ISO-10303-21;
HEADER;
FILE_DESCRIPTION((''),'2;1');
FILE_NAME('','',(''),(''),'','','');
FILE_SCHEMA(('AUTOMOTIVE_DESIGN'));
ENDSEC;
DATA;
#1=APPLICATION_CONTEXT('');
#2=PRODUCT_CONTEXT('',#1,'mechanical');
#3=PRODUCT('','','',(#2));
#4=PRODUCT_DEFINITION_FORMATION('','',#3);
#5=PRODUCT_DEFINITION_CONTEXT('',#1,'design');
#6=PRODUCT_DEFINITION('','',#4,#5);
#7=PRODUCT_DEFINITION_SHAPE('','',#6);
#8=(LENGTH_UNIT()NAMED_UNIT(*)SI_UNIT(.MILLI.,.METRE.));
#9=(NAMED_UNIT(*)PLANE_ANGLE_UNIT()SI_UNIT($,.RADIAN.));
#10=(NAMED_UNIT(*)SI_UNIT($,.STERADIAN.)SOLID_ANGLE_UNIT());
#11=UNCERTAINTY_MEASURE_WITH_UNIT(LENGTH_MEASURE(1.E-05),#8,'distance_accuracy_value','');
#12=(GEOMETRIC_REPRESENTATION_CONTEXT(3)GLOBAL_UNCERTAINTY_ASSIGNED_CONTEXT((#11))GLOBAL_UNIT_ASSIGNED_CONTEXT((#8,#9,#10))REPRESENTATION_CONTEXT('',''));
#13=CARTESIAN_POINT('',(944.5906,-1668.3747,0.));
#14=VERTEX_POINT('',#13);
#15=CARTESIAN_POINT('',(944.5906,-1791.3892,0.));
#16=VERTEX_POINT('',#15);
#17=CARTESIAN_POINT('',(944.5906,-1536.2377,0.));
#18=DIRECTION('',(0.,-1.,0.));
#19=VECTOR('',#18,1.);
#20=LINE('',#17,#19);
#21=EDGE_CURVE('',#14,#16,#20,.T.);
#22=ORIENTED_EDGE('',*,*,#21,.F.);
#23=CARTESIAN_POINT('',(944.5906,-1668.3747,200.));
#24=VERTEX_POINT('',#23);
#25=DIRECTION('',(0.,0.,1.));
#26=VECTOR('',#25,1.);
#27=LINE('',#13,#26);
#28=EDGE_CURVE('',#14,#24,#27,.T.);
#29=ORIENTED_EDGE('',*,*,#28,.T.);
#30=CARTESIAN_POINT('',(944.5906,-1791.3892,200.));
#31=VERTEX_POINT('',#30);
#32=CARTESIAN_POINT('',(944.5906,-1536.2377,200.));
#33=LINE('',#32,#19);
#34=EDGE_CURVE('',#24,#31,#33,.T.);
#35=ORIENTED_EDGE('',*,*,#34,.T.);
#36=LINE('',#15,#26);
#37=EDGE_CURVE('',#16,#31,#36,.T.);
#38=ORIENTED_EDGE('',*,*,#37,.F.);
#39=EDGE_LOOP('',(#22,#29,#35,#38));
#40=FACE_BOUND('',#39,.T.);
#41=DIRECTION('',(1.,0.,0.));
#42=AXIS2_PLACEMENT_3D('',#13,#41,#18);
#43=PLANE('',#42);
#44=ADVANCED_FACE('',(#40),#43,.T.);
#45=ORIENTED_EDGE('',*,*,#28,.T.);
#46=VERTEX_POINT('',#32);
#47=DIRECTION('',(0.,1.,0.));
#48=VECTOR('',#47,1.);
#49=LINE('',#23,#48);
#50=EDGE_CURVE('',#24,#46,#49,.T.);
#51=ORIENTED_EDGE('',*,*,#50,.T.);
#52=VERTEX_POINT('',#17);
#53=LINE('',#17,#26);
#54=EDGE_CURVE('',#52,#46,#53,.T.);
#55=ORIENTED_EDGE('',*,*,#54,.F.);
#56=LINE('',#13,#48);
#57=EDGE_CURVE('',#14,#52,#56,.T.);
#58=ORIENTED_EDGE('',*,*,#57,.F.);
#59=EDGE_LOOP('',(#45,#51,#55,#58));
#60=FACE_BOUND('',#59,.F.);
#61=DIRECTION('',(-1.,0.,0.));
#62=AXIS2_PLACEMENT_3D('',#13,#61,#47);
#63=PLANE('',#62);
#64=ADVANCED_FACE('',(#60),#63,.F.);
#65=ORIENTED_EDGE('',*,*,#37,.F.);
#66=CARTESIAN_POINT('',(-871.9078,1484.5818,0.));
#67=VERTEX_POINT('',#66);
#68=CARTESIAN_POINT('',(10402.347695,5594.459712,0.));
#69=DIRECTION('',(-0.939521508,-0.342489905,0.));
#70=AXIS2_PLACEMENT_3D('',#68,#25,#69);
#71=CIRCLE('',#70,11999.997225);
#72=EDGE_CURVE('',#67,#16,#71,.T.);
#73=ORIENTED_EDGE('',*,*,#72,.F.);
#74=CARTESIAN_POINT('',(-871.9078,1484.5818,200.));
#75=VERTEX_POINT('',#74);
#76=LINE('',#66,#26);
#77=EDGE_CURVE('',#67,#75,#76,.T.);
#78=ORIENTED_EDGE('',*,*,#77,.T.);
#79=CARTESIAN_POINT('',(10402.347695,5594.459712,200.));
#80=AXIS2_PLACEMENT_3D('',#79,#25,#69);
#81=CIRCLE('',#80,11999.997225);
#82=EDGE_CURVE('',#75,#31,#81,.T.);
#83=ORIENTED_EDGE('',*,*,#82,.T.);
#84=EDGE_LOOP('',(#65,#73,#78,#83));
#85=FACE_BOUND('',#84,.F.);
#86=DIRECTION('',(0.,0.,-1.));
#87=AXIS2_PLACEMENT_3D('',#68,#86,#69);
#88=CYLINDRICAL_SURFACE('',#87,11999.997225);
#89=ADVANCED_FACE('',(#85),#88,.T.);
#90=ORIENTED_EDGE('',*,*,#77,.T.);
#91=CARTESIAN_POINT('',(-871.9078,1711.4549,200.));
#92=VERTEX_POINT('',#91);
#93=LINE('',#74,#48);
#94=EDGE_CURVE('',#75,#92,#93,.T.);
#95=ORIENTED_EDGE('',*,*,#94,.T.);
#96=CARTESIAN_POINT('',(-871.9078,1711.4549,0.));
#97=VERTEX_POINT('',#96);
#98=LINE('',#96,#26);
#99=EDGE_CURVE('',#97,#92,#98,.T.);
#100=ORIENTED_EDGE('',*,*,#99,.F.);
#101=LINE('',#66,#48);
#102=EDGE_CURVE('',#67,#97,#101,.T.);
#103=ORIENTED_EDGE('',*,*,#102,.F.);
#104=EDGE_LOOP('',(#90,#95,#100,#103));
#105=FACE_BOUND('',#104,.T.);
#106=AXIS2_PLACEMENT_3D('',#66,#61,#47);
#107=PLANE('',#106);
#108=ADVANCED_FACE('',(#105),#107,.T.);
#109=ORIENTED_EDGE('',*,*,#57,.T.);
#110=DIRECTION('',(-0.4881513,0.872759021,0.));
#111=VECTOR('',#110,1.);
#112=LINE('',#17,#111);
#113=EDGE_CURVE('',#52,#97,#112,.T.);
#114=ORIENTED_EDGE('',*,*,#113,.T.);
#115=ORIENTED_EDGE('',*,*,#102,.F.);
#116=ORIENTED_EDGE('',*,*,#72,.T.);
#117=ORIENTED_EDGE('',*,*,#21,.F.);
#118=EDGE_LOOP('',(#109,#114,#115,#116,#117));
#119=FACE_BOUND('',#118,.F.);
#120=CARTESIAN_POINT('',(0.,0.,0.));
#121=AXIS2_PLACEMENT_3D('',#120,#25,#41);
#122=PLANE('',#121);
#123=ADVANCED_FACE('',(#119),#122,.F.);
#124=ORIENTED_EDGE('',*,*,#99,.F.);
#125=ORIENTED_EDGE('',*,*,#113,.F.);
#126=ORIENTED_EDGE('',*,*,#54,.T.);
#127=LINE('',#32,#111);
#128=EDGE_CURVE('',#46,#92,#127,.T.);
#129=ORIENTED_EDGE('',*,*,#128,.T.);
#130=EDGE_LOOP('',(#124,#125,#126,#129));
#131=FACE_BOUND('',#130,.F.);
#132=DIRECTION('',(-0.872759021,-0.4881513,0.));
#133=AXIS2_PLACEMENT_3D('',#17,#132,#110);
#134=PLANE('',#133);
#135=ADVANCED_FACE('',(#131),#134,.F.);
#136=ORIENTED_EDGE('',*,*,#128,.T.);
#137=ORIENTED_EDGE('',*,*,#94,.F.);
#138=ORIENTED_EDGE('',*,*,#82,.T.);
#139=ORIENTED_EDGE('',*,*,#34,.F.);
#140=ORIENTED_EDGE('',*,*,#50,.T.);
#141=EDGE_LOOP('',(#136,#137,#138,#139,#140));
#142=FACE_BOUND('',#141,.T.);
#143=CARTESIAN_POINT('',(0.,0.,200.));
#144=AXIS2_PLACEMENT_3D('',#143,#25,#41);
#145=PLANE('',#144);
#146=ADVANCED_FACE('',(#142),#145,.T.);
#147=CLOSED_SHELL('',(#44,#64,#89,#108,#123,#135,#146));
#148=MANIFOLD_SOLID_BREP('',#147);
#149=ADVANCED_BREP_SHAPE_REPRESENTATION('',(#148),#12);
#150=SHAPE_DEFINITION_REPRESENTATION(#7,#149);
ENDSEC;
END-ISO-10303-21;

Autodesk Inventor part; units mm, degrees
ref_plane "YZ Plane" through (0, 0, 0) normal (1, 0, 0) x (0, 1, 0)
ref_plane "XZ Plane" through (0, 0, 0) normal (0, 1, 0) x (-1, 0, 0)
ref_plane "XY Plane" through (0, 0, 0) normal (0, 0, 1) x (1, 0, 0)
sketch "Sketch1" plane through (0, 0, 0) normal (0, 0, 1) x (1, 0, 0)
  line L0 (944.5906, -1536.2377) -> (-871.9078, 1711.4549)
  line L1 (944.5906, -1668.3747) -> (944.5906, -1536.2377)
  line L2 (944.5906, -1536.2377) -> (944.5906, -1791.3892)
  line L3 (-871.9078, 1484.5818) -> (-871.9078, 1711.4549)
  arc A0 (-871.9078, 1484.5818) -> (944.5906, -1791.3892) centre (10402.3503, 5594.4609) ccw
  point P0 (0, 0)
  point P1 (963.6736, -1791.3892)
  point P2 (-975.9036, 1415.1228)
  point P3 (-975.579, 1678.3612)
  dimension "d3" = 12000
extrude "Extrusion2" add sketch "Sketch1" along normal blind 200
properties part number "side_curve_beam_04" material "Wood (Maple)"
